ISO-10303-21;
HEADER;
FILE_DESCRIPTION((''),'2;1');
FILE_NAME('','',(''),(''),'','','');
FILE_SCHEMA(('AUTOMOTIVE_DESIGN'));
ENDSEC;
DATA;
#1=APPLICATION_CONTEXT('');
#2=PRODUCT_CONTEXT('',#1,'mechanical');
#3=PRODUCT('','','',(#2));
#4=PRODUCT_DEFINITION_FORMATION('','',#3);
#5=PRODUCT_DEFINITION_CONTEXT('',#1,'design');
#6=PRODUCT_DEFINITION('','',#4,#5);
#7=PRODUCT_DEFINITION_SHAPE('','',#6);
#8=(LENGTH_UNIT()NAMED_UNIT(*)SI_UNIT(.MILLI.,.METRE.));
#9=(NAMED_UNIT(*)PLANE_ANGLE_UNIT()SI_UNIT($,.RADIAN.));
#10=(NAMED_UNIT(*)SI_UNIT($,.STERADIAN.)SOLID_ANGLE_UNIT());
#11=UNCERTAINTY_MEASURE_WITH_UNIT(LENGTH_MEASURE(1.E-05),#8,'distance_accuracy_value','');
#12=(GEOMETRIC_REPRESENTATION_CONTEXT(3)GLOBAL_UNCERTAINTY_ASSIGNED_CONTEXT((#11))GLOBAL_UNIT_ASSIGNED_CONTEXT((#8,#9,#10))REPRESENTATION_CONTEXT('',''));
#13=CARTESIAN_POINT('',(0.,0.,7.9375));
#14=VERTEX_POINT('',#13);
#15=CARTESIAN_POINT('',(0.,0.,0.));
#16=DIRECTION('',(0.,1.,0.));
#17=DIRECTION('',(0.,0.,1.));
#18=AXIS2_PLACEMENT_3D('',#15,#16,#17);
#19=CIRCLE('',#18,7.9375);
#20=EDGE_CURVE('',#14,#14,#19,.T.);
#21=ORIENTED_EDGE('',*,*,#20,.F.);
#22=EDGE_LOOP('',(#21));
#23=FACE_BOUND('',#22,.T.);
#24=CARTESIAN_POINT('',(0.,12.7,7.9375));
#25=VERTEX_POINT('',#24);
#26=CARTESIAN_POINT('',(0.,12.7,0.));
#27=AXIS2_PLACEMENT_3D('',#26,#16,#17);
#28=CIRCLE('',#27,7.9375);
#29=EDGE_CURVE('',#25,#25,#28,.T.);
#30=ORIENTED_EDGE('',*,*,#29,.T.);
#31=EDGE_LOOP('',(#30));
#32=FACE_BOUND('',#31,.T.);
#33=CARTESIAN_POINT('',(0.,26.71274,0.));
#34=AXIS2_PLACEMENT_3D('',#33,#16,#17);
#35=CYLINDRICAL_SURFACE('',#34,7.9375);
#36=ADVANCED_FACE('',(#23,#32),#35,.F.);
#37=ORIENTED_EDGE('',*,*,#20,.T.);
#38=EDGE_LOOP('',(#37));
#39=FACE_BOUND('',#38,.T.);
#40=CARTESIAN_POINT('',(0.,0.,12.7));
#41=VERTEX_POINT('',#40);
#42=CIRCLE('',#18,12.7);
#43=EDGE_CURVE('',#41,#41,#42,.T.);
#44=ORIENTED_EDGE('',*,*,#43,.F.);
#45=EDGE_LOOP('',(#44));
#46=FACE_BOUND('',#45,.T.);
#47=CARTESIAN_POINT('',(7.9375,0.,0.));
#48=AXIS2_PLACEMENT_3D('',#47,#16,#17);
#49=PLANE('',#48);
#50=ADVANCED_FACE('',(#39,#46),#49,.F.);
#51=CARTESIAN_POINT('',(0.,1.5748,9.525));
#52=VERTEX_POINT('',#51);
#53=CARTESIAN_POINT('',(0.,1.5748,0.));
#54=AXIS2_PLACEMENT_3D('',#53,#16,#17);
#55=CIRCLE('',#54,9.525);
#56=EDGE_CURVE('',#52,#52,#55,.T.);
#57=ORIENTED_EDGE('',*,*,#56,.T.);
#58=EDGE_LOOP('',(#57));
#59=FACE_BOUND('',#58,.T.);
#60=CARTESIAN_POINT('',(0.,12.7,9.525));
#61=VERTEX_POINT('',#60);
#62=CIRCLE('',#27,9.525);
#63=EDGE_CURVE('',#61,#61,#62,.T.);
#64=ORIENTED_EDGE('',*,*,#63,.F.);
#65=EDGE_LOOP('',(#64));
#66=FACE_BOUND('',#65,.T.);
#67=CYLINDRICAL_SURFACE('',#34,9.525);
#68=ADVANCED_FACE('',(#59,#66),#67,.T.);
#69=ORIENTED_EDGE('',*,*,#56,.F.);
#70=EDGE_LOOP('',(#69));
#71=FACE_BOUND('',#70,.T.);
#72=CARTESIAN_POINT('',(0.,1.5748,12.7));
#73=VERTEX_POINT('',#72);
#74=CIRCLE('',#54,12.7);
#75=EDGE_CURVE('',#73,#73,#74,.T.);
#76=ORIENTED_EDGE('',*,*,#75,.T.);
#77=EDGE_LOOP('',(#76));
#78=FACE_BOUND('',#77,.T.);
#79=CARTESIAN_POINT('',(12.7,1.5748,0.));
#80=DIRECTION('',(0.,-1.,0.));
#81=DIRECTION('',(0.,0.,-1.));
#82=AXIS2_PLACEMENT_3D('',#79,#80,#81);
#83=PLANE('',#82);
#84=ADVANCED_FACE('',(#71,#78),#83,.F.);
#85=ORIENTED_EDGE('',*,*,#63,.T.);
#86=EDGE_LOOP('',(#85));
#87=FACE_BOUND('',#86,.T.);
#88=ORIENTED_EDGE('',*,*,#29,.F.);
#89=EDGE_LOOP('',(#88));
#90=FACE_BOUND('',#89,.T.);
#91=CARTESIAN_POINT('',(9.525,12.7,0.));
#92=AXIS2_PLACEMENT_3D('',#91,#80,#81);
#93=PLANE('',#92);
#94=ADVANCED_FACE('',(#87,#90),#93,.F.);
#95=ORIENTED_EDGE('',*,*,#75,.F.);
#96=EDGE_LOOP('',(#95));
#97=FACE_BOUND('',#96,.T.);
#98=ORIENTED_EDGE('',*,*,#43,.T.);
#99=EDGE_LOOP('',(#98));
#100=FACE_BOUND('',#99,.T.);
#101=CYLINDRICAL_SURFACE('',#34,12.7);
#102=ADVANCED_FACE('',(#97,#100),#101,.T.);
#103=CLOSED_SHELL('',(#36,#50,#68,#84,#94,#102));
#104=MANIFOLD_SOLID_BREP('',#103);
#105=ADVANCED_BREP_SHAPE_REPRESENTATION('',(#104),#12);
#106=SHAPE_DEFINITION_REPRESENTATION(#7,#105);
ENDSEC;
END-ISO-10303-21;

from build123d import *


with BuildPart() as part:
    # Sketch1 → Revolve1 (revolve)
    with BuildSketch(Plane.XY):
        Polygon((7.9375, 0), (12.7, 0), (12.7, 1.5748), (9.525, 1.5748), (9.525, 12.7), (7.9375, 12.7), align=None)
    revolve(axis=Axis((0, 26.712740385, 0), (0, -1, 0)))


solid = part.part
